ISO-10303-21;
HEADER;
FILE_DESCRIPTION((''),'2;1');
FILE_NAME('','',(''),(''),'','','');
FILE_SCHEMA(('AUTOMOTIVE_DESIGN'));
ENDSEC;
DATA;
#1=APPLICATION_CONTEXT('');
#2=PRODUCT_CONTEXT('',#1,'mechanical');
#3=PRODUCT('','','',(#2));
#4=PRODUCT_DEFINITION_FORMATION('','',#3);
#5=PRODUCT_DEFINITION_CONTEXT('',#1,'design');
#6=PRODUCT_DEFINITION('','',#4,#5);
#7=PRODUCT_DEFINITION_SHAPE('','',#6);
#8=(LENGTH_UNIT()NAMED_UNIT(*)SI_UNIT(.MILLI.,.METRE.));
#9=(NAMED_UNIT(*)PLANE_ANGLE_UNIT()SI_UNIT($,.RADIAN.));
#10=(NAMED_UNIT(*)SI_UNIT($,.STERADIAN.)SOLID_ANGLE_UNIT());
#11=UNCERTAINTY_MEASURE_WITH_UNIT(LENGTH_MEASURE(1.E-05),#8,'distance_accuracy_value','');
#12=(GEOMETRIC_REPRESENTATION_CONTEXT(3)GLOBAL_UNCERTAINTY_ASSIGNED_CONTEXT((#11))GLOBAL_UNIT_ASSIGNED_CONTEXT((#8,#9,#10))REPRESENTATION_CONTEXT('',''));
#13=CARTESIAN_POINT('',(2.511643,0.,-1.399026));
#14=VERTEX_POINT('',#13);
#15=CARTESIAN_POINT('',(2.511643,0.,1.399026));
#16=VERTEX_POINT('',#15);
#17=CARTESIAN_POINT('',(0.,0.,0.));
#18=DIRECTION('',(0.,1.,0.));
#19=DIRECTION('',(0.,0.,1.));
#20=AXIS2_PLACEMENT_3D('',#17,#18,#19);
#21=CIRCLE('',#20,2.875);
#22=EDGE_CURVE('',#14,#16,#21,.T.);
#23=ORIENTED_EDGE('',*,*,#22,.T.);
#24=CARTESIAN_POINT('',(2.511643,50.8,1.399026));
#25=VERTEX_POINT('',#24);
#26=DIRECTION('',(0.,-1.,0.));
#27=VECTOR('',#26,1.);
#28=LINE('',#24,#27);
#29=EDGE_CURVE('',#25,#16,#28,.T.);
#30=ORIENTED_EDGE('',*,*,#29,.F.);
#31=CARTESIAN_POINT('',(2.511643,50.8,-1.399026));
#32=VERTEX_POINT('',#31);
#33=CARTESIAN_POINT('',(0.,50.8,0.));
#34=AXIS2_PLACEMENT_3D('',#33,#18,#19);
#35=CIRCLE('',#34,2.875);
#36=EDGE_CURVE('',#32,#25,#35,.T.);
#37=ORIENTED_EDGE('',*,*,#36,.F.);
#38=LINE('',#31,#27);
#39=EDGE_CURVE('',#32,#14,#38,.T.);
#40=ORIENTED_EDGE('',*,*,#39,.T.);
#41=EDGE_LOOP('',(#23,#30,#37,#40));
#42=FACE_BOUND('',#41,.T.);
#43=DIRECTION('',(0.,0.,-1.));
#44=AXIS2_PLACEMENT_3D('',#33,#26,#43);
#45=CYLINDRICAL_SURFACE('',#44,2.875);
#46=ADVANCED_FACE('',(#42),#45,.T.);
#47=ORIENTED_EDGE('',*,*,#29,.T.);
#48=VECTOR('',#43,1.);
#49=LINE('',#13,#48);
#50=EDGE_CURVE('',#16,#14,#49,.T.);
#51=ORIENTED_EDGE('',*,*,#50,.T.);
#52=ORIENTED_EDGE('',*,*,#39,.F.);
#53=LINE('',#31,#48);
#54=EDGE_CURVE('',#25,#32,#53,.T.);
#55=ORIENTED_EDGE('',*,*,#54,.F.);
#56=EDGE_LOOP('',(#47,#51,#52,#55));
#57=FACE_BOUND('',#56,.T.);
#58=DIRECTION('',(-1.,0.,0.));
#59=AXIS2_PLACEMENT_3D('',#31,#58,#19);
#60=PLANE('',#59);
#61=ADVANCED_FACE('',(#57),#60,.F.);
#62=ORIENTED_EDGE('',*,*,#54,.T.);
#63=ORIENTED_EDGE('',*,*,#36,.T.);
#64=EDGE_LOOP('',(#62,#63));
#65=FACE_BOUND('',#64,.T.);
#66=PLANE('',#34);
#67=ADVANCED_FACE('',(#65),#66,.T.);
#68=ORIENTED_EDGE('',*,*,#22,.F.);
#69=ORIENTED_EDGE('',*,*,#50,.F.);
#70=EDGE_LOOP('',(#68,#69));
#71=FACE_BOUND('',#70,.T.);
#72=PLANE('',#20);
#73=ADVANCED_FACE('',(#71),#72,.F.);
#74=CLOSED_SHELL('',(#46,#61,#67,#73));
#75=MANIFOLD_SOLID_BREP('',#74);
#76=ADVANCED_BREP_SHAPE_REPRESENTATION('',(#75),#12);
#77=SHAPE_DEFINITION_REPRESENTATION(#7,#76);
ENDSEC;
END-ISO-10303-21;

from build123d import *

# Parameters (mm, degrees)
BOSS_EXTRUDE1_DEPTH = 50.8


with BuildPart() as part:
    # Sketch1 → Boss-Extrude1 (new body)
    with BuildSketch(Plane(origin=(0, 0, 0), x_dir=(1, 0, 0), z_dir=(0, 1, 0))):
        with BuildLine():
            Line((2.511643216, 1.39902586), (2.511643216, -1.39902586))
            ThreePointArc((2.511643216, -1.39902586), (-2.875, 0), (2.511643216, 1.39902586))
        make_face()
    extrude(amount=BOSS_EXTRUDE1_DEPTH)


solid = part.part
